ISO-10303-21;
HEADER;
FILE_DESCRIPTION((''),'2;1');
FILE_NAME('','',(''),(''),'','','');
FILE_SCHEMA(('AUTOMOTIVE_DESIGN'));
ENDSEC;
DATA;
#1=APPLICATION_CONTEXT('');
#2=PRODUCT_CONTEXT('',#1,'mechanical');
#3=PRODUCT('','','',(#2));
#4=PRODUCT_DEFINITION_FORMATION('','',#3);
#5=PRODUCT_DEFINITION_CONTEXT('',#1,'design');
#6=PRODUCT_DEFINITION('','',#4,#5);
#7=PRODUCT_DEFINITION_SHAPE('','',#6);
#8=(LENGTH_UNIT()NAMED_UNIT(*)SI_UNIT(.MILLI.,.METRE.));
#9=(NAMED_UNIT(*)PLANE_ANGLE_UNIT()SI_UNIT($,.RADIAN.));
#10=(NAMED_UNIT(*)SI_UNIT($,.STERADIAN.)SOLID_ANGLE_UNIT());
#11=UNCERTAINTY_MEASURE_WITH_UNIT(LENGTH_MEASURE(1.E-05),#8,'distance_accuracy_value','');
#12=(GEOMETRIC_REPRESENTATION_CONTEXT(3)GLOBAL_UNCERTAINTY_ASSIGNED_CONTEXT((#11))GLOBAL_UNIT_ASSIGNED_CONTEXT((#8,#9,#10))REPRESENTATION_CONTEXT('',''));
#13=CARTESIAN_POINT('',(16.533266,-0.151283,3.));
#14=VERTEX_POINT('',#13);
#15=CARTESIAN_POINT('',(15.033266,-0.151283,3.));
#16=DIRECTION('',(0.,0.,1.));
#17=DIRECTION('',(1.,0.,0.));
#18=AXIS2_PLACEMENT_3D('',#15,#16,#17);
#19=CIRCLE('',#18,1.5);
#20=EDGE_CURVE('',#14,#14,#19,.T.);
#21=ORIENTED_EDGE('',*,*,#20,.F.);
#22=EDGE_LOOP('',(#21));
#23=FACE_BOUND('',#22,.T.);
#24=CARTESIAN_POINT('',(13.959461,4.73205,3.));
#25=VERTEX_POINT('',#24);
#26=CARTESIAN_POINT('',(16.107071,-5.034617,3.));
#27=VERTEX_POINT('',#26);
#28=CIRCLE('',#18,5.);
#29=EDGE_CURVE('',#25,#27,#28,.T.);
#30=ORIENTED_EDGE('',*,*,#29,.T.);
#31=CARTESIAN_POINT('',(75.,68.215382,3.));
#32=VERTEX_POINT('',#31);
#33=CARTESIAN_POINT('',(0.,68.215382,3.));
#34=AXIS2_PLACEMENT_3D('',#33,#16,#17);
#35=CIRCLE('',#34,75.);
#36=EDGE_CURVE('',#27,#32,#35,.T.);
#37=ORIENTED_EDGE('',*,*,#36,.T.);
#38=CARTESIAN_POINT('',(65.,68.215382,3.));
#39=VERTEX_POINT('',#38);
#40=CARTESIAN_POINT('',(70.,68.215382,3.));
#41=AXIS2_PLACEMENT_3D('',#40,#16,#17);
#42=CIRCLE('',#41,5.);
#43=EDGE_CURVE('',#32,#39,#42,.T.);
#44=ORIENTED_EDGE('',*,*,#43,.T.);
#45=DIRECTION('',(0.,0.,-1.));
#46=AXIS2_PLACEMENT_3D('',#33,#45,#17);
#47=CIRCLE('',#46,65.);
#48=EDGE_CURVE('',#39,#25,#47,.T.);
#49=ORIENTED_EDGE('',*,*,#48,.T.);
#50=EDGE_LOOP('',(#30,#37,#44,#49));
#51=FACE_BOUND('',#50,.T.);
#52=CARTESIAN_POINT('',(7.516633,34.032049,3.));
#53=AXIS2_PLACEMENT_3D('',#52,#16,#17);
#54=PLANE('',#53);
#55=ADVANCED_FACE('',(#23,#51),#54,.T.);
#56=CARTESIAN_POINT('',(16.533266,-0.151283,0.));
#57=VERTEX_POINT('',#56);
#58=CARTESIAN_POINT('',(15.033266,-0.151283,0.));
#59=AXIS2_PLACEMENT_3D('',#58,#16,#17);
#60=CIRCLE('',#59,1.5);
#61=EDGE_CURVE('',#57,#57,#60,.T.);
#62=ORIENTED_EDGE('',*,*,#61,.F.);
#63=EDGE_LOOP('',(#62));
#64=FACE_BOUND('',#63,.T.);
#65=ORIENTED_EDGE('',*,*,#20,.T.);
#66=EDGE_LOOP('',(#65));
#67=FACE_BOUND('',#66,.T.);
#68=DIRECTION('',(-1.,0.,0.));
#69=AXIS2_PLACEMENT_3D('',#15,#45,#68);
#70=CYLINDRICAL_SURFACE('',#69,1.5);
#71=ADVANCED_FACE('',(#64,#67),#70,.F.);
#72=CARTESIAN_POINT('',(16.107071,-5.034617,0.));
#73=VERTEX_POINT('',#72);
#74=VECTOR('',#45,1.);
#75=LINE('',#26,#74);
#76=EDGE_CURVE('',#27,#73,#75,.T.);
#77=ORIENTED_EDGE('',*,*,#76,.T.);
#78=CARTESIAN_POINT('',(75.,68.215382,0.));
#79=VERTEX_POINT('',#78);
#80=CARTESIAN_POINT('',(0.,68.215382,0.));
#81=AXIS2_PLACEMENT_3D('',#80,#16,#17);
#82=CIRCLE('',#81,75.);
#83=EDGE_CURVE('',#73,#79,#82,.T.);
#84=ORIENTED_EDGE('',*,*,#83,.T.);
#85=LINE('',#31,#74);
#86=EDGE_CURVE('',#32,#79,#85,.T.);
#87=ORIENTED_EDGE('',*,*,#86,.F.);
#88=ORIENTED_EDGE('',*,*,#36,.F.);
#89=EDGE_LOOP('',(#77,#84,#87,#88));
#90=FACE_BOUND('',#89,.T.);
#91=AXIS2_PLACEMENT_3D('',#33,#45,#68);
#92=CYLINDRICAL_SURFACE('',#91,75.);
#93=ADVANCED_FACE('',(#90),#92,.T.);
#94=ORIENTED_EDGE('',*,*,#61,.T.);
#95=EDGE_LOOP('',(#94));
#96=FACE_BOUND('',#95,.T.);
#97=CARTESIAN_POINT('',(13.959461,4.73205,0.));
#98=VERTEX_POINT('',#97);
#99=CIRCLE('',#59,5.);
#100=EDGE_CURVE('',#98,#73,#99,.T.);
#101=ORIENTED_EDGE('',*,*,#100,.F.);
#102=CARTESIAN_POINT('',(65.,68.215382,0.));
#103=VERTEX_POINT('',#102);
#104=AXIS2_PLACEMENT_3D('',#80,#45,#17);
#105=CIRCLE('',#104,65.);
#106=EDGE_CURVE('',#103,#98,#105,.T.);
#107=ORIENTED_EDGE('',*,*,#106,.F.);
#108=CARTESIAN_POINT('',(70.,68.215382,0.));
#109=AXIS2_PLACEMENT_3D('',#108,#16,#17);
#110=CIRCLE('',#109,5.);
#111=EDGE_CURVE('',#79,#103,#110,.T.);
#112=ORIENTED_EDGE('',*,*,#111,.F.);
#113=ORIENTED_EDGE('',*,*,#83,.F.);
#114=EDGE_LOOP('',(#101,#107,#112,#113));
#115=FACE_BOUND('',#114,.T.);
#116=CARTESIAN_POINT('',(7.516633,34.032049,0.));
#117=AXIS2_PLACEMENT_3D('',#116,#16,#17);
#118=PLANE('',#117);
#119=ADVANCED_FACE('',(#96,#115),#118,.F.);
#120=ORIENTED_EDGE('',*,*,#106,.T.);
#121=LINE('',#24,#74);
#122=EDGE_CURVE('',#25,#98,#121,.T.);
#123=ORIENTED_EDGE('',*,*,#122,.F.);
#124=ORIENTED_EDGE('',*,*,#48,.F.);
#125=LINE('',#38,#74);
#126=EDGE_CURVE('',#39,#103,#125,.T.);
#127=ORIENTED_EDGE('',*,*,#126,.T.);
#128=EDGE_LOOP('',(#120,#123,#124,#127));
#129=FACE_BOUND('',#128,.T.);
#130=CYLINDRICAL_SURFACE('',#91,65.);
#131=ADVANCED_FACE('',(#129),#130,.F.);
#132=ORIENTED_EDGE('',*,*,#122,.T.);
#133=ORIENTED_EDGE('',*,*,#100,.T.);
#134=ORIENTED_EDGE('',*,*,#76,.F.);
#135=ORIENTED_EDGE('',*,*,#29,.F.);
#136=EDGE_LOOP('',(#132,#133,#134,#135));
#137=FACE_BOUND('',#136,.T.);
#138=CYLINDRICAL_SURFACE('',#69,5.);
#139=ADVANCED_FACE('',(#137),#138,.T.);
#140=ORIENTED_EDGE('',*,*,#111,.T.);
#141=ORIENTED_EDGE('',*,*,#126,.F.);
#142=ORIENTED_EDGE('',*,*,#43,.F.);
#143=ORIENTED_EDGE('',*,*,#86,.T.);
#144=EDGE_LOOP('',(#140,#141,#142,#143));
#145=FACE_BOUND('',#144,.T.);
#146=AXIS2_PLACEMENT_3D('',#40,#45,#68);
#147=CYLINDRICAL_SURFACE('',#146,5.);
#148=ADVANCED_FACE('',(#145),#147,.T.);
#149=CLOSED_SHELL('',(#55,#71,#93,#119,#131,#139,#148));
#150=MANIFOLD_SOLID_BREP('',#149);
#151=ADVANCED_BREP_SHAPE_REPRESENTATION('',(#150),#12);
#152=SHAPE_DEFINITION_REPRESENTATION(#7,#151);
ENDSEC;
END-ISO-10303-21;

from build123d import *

# Parameters (mm, degrees)
CROQUIS1_R              = 1.5
SALIENTE_EXTRUIR1_DEPTH = 3


with BuildPart() as part:
    # Croquis1 → Saliente-Extruir1 (new body)
    with BuildSketch(Plane.XY):
        with BuildLine():
            ThreePointArc((13.959461248, 4.732049888), (50.657501819, 27.486798441), (65, 68.215381886))
            ThreePointArc((65, 68.215381886), (70, 73.215381886), (75, 68.215381886))
            ThreePointArc((75, 68.215381886), (58.450963638, 21.220862527), (16.107070671, -5.034616574))
            ThreePointArc((16.107070671, -5.034616574), (10.149932729, -1.225088055), (13.959461248, 4.732049888))
        make_face()
        with Locations((15.03326596, -0.151283343)):
            Circle(CROQUIS1_R, mode=Mode.SUBTRACT)
    extrude(amount=SALIENTE_EXTRUIR1_DEPTH)


solid = part.part
